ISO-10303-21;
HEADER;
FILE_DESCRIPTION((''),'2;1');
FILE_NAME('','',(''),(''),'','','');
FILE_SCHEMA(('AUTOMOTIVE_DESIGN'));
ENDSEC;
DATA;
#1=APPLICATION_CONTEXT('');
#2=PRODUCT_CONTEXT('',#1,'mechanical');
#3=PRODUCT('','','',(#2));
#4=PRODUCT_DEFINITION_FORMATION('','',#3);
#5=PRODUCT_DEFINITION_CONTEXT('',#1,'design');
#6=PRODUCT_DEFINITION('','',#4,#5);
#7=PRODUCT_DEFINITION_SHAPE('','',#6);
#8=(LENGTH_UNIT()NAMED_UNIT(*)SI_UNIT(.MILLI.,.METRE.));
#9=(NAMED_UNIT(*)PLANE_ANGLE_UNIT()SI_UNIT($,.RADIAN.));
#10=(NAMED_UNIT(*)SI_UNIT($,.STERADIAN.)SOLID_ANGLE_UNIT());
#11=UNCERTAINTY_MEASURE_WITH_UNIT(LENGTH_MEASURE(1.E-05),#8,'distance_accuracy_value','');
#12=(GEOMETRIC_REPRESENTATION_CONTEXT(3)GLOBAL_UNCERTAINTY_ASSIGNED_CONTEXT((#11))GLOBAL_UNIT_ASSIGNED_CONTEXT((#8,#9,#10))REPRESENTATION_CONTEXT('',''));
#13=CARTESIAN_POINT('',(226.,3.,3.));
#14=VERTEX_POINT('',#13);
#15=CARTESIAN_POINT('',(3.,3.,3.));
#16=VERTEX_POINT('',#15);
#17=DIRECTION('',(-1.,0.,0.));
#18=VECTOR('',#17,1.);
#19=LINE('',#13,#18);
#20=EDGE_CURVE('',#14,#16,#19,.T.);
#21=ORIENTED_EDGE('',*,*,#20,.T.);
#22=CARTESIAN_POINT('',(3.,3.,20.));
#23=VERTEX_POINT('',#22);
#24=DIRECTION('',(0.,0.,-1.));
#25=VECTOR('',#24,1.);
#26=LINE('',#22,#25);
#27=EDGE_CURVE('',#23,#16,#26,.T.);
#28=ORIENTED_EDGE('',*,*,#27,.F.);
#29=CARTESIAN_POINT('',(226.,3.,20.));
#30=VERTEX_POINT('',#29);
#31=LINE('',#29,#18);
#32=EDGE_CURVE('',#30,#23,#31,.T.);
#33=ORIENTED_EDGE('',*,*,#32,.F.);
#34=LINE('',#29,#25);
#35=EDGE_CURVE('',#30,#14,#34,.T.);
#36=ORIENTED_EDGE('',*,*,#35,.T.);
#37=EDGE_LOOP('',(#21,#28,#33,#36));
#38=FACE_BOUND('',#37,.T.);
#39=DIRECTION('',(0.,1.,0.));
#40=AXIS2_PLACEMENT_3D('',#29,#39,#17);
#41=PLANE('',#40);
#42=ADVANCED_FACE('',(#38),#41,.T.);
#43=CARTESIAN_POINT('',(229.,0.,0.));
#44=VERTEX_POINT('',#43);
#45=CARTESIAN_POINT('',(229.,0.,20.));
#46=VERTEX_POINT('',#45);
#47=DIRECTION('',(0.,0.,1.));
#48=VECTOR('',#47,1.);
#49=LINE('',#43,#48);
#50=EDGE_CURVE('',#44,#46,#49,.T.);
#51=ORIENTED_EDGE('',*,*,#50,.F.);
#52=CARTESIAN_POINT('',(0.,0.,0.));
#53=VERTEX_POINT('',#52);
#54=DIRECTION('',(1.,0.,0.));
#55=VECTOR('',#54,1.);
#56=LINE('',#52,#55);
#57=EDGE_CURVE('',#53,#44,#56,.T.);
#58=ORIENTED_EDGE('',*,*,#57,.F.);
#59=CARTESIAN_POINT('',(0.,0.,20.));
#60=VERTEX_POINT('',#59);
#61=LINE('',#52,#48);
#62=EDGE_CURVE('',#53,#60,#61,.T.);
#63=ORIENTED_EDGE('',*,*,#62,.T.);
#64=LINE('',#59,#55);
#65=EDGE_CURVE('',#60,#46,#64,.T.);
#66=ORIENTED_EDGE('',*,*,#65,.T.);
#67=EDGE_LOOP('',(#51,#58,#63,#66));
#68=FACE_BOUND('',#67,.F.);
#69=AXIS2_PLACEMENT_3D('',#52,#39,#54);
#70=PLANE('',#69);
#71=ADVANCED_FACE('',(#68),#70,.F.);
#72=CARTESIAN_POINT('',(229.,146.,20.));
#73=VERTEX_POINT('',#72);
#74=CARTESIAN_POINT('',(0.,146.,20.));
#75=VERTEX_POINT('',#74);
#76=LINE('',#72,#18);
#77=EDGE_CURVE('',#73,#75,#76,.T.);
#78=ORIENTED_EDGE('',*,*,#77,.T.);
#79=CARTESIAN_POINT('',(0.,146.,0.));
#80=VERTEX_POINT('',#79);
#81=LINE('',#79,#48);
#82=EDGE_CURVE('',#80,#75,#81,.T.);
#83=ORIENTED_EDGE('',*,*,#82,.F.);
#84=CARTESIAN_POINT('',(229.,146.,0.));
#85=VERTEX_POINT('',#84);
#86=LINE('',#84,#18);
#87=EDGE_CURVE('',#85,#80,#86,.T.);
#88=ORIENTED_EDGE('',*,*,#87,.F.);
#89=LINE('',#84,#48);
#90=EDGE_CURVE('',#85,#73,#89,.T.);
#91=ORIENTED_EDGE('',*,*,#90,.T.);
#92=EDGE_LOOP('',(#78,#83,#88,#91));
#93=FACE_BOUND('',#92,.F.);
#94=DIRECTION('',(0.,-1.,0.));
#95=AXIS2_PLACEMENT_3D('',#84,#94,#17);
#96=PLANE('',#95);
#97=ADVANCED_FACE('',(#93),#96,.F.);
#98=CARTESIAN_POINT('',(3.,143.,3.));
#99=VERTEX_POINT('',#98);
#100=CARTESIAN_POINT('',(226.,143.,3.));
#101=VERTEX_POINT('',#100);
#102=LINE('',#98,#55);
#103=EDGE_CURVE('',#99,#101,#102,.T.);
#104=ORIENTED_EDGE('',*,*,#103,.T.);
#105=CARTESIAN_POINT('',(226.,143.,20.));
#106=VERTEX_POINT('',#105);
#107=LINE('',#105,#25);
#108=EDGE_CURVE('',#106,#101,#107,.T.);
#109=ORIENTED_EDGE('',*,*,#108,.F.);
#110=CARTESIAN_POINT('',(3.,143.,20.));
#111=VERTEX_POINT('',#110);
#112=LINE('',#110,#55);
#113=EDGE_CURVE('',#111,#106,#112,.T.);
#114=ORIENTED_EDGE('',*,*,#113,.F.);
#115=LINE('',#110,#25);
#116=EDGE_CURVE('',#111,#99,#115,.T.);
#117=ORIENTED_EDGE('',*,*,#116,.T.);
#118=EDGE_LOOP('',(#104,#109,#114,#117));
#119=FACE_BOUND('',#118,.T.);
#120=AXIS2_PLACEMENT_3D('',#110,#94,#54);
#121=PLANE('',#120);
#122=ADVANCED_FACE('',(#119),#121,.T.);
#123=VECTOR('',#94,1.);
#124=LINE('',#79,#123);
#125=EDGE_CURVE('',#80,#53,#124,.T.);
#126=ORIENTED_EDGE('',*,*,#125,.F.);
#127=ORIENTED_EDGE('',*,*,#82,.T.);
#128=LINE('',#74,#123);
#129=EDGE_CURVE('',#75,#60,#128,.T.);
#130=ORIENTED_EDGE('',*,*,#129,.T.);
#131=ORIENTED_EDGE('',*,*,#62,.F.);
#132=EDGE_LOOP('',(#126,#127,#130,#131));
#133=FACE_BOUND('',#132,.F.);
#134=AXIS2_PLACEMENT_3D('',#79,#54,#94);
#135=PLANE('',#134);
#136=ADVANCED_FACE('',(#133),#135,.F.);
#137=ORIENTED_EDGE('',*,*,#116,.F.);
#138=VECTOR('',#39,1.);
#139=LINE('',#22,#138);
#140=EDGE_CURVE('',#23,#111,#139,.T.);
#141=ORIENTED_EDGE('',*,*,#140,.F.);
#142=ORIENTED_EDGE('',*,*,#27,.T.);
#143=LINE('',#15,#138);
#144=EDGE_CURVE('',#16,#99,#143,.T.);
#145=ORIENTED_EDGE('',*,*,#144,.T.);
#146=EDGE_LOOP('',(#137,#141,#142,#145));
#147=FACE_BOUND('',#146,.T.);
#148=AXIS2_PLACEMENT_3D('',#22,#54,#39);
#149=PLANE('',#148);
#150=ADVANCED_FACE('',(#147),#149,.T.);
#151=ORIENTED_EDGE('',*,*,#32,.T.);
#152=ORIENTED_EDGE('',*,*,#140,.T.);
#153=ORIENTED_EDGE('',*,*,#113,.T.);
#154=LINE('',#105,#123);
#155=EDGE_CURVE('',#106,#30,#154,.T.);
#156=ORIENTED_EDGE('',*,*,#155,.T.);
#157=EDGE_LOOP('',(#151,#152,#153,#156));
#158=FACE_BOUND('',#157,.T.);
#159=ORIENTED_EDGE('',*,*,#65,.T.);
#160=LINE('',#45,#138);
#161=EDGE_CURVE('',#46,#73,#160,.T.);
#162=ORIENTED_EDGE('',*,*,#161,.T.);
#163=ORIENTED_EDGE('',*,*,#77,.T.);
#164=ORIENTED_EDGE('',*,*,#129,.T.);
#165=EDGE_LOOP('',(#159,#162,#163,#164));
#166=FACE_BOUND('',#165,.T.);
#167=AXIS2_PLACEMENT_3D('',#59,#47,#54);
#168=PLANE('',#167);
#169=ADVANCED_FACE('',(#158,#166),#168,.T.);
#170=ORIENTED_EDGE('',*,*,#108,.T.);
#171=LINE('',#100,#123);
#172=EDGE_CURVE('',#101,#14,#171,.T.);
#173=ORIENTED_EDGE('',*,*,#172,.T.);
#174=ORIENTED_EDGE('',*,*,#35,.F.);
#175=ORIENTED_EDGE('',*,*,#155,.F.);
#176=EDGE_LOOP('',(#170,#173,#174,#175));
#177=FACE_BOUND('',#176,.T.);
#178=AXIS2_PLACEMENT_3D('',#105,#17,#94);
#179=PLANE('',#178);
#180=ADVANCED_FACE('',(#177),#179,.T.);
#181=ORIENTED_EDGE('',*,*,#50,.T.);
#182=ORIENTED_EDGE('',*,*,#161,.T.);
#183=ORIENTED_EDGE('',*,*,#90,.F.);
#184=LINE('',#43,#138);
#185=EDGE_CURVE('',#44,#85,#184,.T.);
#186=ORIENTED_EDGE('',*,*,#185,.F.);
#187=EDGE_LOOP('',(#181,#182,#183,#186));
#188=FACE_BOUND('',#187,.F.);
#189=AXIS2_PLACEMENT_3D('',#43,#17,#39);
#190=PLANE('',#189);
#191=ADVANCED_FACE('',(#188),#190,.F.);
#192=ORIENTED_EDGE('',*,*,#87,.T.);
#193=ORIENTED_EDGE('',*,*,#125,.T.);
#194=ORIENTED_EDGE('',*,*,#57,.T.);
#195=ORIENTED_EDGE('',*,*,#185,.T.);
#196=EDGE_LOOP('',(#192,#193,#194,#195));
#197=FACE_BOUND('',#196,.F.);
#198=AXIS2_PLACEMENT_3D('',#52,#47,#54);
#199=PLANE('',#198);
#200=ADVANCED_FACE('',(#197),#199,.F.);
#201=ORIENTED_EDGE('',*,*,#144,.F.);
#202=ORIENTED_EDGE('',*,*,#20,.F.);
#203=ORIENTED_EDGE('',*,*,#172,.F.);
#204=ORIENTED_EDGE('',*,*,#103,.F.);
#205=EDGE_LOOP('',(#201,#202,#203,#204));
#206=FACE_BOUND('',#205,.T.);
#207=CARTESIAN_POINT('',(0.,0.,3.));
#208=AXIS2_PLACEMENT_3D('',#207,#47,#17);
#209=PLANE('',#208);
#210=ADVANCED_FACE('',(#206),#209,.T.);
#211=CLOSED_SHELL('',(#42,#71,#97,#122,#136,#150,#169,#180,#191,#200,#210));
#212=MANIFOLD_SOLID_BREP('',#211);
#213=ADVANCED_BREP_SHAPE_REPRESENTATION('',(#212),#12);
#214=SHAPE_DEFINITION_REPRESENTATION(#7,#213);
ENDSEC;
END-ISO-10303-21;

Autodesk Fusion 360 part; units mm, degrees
sketch "Sketch1" plane through (0, 0, 0) normal (0, 0, 1) x (1, 0, 0)
  line L0 (0, 0) -> (229, 0)
  line L1 (229, 0) -> (229, 146)
  line L2 (229, 146) -> (0, 146)
  line L3 (0, 146) -> (0, 0)
  dimension "d1" = 229
  dimension "d2" = 146
extrude "Extrude1" add sketch "Sketch1" along normal blind 20
sketch "Sketch2" plane through (0, 0, 20) normal (0, 0, 1) x (-1, 0, 0)
  line L0 (0, -146) -> (0, 0)
  line L1 (0, 0) -> (-229, 0)
  line L2 (-229, 0) -> (-229, -146)
  line L3 (-229, -146) -> (0, -146)
  line L4 (-3, -143) -> (-226, -143)
  line L5 (-226, -143) -> (-226, -3)
  line L6 (-226, -3) -> (-3, -3)
  line L7 (-3, -3) -> (-3, -143)
  dimension "d5" = 3
  dimension "d6" = 3
  dimension "d7" = 3
  dimension "d8" = 3
extrude "Extrude2" cut sketch "Sketch2" against normal blind 17 contours L4 L5 L6 L7
